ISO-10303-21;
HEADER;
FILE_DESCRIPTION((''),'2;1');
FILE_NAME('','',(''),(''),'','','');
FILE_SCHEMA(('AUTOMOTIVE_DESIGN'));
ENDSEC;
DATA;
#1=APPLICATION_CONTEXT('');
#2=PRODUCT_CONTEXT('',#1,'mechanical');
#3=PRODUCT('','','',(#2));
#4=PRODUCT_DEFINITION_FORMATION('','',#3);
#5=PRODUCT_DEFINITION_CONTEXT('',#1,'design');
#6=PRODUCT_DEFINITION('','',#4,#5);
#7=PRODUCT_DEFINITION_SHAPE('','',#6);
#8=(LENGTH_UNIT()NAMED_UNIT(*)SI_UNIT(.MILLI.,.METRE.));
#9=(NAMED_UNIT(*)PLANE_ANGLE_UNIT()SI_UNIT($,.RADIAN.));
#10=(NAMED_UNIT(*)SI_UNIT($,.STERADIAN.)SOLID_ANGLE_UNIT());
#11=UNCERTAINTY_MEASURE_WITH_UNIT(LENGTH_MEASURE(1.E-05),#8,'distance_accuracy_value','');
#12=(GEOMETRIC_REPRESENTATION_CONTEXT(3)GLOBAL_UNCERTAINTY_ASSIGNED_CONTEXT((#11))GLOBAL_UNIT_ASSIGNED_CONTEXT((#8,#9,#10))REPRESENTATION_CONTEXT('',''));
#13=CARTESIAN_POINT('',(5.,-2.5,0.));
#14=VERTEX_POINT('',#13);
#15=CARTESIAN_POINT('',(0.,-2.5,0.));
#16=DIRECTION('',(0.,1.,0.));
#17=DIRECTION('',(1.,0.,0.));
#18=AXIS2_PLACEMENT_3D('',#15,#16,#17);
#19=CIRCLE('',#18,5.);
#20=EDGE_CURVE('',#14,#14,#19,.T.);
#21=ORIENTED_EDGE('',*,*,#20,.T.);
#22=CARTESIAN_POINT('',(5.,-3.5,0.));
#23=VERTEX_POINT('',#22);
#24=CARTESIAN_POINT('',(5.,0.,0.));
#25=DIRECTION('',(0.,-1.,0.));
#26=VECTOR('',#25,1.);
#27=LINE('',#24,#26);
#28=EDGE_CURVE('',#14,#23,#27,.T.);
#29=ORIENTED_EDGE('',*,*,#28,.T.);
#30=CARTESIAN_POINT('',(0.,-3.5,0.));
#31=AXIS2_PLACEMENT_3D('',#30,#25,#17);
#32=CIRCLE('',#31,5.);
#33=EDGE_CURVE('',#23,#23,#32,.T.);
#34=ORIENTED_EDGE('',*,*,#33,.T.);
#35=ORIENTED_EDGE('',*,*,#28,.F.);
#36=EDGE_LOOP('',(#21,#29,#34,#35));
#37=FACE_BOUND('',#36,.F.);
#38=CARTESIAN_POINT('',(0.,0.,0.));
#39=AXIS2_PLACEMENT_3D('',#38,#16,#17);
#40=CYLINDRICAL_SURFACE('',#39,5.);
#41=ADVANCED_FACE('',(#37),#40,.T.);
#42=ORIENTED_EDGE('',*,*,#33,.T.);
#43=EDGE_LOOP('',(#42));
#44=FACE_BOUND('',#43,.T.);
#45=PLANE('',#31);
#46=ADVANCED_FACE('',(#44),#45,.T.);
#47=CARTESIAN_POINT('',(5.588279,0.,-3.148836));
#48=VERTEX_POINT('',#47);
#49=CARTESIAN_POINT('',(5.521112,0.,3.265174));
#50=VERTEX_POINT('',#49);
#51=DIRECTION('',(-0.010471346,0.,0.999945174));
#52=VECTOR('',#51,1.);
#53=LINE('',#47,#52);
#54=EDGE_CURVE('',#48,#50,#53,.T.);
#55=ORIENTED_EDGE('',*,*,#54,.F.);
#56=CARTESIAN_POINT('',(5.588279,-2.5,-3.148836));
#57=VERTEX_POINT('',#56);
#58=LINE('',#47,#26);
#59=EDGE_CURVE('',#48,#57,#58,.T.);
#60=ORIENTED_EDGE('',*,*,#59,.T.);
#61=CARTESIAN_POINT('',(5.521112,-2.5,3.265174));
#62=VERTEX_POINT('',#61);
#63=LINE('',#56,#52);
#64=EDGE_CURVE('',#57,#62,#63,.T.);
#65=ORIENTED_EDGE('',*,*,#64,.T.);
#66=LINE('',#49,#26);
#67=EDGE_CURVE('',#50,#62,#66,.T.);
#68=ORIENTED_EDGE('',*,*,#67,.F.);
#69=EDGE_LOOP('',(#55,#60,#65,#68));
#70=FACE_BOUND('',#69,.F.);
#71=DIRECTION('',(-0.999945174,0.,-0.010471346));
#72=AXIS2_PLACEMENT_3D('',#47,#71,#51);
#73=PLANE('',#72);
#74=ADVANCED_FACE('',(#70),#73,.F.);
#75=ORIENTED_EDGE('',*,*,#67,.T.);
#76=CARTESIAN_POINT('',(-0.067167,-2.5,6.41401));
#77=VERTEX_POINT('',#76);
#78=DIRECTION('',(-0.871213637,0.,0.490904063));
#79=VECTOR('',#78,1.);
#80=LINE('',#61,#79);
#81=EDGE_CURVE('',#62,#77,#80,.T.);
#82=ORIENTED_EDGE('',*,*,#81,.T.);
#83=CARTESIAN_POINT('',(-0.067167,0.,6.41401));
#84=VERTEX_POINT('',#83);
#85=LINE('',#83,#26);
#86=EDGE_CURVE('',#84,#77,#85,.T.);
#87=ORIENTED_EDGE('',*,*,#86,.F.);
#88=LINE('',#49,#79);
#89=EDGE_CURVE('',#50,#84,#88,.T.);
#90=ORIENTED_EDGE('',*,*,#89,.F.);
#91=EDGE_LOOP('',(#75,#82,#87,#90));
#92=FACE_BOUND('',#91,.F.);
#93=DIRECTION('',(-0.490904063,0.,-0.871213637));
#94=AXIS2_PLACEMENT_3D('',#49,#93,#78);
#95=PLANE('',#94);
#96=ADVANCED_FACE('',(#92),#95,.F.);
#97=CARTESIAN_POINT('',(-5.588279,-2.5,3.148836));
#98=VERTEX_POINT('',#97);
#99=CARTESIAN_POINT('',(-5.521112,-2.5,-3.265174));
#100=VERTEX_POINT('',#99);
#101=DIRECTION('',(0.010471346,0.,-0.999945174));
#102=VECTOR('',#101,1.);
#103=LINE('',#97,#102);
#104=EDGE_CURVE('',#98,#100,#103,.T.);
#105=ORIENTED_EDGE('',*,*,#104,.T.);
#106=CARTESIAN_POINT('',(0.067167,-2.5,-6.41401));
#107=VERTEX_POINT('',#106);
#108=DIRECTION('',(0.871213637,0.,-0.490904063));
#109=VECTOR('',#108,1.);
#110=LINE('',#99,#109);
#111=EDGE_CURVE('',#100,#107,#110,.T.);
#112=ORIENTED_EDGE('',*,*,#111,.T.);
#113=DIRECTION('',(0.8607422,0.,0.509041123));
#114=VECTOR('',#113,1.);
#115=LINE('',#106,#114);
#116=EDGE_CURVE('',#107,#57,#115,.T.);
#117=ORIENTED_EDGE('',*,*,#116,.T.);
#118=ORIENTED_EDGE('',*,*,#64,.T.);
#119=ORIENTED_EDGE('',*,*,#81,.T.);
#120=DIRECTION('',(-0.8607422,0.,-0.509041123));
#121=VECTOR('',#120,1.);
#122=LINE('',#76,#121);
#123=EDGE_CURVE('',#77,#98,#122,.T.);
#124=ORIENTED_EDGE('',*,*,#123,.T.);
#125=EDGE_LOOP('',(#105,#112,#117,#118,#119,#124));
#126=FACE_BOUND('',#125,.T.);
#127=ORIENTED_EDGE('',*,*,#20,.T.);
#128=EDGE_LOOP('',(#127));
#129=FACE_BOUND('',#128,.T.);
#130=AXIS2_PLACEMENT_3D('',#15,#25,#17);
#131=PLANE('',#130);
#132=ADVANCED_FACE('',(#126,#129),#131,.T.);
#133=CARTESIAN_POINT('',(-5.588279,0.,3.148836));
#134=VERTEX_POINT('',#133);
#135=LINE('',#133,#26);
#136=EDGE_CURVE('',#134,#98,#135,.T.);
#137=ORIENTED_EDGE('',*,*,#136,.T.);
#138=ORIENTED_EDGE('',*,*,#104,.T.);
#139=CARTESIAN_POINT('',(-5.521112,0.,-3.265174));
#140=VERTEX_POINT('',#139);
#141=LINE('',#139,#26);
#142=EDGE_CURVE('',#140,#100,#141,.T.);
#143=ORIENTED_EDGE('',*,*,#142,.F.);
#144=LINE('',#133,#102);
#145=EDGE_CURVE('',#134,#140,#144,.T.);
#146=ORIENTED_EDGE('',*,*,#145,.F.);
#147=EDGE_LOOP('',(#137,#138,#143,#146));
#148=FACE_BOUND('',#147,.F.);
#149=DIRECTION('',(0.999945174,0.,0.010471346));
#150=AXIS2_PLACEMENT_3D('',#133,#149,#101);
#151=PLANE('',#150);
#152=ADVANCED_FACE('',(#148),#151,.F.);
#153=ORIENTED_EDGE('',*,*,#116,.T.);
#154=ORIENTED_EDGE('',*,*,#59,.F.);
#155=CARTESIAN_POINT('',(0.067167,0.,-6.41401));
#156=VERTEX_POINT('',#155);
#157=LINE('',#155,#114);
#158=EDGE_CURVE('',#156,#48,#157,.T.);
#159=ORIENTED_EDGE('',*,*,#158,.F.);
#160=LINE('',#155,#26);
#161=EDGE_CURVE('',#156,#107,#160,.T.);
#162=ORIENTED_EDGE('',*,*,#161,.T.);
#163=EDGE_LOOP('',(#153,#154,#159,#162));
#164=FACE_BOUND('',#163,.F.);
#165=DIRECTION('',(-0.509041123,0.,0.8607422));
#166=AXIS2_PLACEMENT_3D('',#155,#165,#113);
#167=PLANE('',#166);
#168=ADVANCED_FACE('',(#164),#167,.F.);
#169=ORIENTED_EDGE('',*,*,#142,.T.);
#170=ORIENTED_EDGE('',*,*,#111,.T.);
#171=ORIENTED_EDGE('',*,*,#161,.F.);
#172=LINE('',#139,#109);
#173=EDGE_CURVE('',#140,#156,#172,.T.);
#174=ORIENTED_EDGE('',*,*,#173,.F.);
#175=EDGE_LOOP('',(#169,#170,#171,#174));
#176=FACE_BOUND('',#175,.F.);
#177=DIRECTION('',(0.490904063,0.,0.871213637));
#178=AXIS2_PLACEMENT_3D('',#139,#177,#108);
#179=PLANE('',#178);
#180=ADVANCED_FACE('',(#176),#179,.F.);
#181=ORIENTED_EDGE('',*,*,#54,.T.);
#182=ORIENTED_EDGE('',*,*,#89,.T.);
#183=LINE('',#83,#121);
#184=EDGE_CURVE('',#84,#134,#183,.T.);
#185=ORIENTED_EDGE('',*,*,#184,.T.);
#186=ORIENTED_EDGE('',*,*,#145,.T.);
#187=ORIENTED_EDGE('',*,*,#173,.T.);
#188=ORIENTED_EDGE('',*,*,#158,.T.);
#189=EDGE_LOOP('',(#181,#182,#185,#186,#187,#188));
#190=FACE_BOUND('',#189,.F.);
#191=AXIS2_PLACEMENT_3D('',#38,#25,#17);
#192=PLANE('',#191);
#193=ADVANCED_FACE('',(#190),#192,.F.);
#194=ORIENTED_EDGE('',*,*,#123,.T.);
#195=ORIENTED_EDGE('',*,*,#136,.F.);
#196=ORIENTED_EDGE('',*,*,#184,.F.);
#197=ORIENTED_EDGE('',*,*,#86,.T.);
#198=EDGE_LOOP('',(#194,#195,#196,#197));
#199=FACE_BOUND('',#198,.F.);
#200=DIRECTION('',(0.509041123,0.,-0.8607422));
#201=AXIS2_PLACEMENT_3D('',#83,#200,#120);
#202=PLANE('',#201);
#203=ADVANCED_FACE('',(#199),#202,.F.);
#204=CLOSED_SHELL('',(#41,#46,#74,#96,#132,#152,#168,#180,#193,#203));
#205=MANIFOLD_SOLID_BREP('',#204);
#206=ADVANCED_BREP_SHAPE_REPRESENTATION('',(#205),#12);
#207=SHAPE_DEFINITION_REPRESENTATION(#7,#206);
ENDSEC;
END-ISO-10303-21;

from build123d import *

# Parameters (mm, degrees)
F1_DEPTH = 2.5
F2_R     = 5
F3_DEPTH = 3.5


with BuildPart() as f1:
    # F0 (on Front) → F1 (new body)
    with BuildSketch(Plane.XZ):
        Polygon((-0.067167, 6.41401), (-5.588279, 3.148836), (-5.521112, -3.265174), (0.067167, -6.41401), (5.588279, -3.148836), (5.521112, 3.265174), align=None)
    extrude(amount=F1_DEPTH)

    # F2 (on Front) → F3 (join)
    with BuildSketch(Plane.XZ):
        Circle(F2_R)
    extrude(amount=F3_DEPTH)


solid = f1.part
